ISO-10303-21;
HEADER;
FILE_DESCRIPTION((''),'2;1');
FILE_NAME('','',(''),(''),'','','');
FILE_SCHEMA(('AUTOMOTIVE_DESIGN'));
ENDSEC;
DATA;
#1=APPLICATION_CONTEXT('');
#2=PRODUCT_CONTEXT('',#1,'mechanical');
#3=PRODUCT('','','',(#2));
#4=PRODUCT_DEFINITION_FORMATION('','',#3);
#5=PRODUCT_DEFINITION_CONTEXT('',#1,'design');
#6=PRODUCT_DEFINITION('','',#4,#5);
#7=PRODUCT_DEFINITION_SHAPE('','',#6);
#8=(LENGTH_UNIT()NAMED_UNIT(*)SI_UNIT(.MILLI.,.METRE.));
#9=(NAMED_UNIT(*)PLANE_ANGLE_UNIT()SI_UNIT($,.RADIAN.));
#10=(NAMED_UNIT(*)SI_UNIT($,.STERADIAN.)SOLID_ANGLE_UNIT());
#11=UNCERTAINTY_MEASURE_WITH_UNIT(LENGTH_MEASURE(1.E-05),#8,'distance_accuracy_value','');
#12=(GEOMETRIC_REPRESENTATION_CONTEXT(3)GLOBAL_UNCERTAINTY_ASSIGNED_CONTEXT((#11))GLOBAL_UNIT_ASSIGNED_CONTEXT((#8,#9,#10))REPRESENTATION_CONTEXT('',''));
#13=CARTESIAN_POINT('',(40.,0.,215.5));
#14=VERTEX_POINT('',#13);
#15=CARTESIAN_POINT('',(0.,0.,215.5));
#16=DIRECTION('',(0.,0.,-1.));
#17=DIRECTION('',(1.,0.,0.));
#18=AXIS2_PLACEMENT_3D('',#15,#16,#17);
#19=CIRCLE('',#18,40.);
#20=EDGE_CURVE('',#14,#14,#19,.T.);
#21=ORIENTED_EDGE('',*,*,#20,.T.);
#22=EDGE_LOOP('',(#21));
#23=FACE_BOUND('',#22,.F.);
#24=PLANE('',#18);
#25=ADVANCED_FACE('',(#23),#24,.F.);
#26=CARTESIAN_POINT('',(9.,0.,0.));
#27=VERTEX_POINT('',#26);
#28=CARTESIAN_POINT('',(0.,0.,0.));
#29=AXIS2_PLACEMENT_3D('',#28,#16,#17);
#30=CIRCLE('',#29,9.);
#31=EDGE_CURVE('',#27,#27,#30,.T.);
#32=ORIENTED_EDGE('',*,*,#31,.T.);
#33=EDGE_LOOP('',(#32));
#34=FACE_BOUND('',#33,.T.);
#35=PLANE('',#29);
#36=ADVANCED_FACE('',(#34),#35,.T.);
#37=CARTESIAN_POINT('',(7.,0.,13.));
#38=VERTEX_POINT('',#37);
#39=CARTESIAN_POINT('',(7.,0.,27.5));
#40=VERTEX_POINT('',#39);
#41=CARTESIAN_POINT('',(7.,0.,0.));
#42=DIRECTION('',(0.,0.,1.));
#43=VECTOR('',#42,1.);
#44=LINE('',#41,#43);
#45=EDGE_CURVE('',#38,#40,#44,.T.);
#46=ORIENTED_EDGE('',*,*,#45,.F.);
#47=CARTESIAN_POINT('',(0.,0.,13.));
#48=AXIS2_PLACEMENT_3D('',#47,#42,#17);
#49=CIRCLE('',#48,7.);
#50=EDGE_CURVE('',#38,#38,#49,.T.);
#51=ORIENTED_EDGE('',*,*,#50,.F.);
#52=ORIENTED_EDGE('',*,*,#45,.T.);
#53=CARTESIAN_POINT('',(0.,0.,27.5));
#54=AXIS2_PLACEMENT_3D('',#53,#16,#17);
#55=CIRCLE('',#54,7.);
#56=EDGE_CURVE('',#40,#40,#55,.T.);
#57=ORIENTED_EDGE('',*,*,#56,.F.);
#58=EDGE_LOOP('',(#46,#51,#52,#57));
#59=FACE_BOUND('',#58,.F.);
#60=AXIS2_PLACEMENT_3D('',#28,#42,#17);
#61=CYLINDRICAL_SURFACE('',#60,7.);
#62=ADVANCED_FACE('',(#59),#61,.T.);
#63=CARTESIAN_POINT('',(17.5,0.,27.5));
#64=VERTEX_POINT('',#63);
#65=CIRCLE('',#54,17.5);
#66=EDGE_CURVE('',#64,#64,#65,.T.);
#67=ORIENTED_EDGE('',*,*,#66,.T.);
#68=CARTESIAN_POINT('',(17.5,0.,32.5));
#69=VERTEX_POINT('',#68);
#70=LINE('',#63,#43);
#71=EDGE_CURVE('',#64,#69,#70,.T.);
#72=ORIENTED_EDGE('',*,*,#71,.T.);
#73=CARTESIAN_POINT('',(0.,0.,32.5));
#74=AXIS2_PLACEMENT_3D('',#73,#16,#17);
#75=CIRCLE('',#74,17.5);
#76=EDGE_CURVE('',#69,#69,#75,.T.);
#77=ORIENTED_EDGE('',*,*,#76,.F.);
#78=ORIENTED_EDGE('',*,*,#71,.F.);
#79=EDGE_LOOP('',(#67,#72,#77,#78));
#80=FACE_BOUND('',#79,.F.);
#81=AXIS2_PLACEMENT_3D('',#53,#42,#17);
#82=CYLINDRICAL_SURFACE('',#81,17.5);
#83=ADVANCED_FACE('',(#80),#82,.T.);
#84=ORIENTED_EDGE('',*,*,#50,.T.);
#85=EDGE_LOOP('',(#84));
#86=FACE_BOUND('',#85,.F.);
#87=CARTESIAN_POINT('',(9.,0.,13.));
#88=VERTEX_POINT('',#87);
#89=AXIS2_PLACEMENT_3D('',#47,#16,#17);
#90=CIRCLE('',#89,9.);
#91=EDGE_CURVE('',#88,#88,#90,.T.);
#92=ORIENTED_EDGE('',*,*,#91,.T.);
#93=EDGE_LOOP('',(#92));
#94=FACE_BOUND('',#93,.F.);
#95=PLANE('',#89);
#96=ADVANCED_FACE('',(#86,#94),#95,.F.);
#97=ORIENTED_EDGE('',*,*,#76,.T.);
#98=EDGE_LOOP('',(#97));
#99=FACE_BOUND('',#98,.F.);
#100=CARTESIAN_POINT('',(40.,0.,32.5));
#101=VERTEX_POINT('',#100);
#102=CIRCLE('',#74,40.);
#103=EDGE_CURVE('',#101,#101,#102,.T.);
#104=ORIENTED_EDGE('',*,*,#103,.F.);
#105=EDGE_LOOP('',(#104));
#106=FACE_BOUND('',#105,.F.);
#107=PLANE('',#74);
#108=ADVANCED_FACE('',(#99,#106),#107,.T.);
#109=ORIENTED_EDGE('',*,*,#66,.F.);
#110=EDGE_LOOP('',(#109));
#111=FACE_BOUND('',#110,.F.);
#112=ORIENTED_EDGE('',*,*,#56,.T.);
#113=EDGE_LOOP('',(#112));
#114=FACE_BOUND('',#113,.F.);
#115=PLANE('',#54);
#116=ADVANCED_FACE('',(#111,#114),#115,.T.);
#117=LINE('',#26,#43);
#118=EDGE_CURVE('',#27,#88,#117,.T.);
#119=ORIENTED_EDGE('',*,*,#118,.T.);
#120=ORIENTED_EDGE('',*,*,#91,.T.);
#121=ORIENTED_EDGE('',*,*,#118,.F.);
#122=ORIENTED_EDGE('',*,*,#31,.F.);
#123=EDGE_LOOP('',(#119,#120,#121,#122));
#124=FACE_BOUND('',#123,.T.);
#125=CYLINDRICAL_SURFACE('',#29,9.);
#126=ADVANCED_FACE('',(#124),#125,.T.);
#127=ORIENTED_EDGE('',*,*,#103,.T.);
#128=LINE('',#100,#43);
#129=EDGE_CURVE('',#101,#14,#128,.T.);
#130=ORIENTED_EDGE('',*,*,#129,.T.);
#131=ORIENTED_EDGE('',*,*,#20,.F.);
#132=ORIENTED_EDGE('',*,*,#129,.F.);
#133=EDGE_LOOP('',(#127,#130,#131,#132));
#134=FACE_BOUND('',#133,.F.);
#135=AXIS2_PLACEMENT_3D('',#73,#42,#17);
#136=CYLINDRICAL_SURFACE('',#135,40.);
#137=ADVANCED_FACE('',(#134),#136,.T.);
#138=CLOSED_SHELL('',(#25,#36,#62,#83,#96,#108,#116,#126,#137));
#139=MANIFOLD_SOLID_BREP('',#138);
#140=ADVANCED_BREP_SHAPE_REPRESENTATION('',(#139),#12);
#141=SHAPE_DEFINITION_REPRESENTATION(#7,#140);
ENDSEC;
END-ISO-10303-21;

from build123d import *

# Parameters (mm, degrees)
F2_R     = 9
F3_DEPTH = 13


with BuildPart() as f1:
    # F0 (on Front) → F1 (revolve)
    with BuildSketch(Plane.XZ):
        Polygon((40, 215.5), (0, 215.5), (0, 0), (7, 0), (7, 27.5), (17.5, 27.5), (17.5, 32.5), (40, 32.5), align=None)
    revolve(axis=Axis((0, 0, 107.75), (0, 0, -1)))

    # F2 (on face) → F3 (join)
    with BuildSketch(Plane(origin=(0, 0, 0), x_dir=(1, 0, 0), z_dir=(0, 0, -1))):
        Circle(F2_R)
    extrude(amount=-F3_DEPTH)


solid = f1.part
